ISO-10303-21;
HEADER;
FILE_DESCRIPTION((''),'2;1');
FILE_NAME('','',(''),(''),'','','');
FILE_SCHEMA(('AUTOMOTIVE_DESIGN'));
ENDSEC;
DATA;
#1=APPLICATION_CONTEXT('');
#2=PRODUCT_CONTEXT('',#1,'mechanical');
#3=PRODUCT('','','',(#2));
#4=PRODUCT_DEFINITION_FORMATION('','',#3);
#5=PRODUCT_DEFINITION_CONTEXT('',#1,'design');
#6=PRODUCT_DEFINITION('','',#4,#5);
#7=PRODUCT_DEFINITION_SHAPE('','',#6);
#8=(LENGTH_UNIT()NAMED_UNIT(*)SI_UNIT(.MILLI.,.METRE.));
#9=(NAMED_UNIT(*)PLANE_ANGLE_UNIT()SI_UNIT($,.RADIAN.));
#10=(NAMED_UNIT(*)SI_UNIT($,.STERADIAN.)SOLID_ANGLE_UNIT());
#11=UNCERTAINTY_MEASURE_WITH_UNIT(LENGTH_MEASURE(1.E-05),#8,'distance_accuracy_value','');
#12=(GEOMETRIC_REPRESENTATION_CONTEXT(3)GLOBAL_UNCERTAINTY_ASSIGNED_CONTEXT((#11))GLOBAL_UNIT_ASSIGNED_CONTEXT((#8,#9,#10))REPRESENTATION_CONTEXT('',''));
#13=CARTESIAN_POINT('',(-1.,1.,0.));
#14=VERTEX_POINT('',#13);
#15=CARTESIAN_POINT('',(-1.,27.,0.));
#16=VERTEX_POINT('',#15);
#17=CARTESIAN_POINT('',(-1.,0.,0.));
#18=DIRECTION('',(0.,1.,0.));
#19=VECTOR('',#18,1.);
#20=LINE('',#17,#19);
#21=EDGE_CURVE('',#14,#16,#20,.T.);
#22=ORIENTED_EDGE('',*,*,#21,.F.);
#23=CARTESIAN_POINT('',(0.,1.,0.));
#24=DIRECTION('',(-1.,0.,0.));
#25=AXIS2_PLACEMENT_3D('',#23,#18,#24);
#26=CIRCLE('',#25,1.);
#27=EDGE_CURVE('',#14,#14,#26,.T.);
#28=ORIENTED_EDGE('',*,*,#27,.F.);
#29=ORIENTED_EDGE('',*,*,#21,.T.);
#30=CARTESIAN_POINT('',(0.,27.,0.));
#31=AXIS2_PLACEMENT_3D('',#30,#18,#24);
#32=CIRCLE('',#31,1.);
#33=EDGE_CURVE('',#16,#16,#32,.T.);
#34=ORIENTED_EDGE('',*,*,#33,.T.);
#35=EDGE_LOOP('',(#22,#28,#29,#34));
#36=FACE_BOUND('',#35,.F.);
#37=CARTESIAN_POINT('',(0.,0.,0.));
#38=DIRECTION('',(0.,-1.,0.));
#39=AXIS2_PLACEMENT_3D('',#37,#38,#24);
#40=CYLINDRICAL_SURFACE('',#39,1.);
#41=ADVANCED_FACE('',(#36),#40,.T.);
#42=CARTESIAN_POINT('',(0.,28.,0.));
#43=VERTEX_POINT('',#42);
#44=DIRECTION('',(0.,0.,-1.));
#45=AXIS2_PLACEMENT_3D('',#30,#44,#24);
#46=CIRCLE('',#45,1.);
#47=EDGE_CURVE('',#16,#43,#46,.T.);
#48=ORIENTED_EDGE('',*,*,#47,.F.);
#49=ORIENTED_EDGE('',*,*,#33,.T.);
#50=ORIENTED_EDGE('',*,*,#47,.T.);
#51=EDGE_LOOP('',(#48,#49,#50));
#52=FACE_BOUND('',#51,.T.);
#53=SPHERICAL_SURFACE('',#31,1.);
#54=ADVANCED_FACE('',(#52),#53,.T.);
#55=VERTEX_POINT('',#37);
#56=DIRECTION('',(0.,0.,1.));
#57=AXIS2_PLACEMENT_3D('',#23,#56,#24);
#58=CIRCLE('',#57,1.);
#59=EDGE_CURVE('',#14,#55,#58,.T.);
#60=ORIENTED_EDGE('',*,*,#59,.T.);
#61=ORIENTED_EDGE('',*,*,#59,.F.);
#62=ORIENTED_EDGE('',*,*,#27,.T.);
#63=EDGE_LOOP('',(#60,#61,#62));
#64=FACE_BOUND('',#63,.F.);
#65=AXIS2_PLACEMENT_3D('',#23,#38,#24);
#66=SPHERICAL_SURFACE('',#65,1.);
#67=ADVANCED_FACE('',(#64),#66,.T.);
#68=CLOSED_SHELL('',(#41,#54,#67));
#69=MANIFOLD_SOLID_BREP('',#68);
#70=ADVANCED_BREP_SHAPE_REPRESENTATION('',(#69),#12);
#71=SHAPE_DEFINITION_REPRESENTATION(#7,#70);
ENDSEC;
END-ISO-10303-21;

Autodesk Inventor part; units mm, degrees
ref_plane "YZ Plane" through (0, 0, 0) normal (1, 0, 0) x (0, 1, 0)
ref_plane "XZ Plane" through (0, 0, 0) normal (0, 1, 0) x (-1, 0, 0)
ref_plane "XY Plane" through (0, 0, 0) normal (0, 0, 1) x (1, 0, 0)
sketch "Sketch1" plane through (0, 0, 0) normal (0, 1, 0) x (-1, 0, 0)
  circle A0 centre (0, 0) radius 1
  dimension "d0" = 2
extrude "Extrusion1" add sketch "Sketch1" along normal blind 28
fillet "Fillet1" radius 1 1 edges at (1, 28, 0)
fillet "Fillet2" radius 1 1 edges at (1, 0, 0)
properties part number "pin_2_x_28_mm"
